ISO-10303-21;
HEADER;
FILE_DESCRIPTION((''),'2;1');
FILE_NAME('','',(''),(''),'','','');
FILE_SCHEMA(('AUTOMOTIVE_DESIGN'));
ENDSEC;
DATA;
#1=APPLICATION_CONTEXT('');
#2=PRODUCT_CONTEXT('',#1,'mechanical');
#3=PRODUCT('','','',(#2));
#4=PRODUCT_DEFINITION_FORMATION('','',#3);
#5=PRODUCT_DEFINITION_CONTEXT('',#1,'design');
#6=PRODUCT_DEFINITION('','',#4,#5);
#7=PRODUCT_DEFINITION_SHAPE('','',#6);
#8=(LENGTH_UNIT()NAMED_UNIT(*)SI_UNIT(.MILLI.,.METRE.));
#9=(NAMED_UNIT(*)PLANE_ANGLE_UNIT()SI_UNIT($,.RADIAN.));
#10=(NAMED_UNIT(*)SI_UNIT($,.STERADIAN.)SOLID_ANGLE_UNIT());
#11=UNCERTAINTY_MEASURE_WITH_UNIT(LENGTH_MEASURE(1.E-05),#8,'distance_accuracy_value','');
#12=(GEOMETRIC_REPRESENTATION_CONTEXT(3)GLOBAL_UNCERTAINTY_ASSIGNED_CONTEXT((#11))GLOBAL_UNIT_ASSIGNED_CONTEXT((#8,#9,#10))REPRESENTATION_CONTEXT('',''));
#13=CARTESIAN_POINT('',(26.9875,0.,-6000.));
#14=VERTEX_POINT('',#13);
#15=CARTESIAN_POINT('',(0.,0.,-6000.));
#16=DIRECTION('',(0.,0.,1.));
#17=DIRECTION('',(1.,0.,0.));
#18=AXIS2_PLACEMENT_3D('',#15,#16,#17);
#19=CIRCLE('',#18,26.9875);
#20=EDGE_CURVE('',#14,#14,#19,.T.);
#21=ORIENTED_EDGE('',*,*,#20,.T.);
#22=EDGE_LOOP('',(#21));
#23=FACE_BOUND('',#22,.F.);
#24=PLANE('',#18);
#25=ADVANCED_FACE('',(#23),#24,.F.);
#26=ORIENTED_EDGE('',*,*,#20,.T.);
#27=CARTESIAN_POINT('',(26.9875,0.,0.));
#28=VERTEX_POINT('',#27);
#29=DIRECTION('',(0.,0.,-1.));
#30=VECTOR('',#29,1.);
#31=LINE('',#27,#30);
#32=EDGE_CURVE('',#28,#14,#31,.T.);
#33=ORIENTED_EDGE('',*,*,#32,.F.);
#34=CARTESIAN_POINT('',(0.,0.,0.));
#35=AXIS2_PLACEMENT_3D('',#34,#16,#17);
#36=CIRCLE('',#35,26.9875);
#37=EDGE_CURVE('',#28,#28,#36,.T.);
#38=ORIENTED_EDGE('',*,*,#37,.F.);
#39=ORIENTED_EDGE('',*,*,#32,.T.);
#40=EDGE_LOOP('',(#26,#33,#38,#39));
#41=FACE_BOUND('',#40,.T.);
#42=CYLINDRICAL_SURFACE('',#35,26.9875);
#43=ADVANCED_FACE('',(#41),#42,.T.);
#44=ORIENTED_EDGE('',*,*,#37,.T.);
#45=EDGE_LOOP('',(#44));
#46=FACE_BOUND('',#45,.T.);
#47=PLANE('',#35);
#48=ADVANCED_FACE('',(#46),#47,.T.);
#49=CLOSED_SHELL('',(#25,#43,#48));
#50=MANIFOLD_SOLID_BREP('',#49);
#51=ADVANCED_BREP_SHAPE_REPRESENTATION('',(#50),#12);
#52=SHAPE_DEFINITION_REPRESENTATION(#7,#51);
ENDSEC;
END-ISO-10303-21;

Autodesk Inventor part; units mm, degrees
ref_plane "YZ Plane" through (0, 0, 0) normal (1, 0, 0) x (0, 1, 0)
ref_plane "XZ Plane" through (0, 0, 0) normal (0, 1, 0) x (-1, 0, 0)
ref_plane "XY Plane" through (0, 0, 0) normal (0, 0, 1) x (1, 0, 0)
sketch "Sketch1" plane through (0, 0, 0) normal (0, 0, 1) x (1, 0, 0)
  circle A0 centre (0, 0) radius 26.9875
  dimension "d0" = 53.975
extrude "Extrusion1" add sketch "Sketch1" against normal blind 6000
properties part number "Prueba_barra" material "Steel, Mild"
